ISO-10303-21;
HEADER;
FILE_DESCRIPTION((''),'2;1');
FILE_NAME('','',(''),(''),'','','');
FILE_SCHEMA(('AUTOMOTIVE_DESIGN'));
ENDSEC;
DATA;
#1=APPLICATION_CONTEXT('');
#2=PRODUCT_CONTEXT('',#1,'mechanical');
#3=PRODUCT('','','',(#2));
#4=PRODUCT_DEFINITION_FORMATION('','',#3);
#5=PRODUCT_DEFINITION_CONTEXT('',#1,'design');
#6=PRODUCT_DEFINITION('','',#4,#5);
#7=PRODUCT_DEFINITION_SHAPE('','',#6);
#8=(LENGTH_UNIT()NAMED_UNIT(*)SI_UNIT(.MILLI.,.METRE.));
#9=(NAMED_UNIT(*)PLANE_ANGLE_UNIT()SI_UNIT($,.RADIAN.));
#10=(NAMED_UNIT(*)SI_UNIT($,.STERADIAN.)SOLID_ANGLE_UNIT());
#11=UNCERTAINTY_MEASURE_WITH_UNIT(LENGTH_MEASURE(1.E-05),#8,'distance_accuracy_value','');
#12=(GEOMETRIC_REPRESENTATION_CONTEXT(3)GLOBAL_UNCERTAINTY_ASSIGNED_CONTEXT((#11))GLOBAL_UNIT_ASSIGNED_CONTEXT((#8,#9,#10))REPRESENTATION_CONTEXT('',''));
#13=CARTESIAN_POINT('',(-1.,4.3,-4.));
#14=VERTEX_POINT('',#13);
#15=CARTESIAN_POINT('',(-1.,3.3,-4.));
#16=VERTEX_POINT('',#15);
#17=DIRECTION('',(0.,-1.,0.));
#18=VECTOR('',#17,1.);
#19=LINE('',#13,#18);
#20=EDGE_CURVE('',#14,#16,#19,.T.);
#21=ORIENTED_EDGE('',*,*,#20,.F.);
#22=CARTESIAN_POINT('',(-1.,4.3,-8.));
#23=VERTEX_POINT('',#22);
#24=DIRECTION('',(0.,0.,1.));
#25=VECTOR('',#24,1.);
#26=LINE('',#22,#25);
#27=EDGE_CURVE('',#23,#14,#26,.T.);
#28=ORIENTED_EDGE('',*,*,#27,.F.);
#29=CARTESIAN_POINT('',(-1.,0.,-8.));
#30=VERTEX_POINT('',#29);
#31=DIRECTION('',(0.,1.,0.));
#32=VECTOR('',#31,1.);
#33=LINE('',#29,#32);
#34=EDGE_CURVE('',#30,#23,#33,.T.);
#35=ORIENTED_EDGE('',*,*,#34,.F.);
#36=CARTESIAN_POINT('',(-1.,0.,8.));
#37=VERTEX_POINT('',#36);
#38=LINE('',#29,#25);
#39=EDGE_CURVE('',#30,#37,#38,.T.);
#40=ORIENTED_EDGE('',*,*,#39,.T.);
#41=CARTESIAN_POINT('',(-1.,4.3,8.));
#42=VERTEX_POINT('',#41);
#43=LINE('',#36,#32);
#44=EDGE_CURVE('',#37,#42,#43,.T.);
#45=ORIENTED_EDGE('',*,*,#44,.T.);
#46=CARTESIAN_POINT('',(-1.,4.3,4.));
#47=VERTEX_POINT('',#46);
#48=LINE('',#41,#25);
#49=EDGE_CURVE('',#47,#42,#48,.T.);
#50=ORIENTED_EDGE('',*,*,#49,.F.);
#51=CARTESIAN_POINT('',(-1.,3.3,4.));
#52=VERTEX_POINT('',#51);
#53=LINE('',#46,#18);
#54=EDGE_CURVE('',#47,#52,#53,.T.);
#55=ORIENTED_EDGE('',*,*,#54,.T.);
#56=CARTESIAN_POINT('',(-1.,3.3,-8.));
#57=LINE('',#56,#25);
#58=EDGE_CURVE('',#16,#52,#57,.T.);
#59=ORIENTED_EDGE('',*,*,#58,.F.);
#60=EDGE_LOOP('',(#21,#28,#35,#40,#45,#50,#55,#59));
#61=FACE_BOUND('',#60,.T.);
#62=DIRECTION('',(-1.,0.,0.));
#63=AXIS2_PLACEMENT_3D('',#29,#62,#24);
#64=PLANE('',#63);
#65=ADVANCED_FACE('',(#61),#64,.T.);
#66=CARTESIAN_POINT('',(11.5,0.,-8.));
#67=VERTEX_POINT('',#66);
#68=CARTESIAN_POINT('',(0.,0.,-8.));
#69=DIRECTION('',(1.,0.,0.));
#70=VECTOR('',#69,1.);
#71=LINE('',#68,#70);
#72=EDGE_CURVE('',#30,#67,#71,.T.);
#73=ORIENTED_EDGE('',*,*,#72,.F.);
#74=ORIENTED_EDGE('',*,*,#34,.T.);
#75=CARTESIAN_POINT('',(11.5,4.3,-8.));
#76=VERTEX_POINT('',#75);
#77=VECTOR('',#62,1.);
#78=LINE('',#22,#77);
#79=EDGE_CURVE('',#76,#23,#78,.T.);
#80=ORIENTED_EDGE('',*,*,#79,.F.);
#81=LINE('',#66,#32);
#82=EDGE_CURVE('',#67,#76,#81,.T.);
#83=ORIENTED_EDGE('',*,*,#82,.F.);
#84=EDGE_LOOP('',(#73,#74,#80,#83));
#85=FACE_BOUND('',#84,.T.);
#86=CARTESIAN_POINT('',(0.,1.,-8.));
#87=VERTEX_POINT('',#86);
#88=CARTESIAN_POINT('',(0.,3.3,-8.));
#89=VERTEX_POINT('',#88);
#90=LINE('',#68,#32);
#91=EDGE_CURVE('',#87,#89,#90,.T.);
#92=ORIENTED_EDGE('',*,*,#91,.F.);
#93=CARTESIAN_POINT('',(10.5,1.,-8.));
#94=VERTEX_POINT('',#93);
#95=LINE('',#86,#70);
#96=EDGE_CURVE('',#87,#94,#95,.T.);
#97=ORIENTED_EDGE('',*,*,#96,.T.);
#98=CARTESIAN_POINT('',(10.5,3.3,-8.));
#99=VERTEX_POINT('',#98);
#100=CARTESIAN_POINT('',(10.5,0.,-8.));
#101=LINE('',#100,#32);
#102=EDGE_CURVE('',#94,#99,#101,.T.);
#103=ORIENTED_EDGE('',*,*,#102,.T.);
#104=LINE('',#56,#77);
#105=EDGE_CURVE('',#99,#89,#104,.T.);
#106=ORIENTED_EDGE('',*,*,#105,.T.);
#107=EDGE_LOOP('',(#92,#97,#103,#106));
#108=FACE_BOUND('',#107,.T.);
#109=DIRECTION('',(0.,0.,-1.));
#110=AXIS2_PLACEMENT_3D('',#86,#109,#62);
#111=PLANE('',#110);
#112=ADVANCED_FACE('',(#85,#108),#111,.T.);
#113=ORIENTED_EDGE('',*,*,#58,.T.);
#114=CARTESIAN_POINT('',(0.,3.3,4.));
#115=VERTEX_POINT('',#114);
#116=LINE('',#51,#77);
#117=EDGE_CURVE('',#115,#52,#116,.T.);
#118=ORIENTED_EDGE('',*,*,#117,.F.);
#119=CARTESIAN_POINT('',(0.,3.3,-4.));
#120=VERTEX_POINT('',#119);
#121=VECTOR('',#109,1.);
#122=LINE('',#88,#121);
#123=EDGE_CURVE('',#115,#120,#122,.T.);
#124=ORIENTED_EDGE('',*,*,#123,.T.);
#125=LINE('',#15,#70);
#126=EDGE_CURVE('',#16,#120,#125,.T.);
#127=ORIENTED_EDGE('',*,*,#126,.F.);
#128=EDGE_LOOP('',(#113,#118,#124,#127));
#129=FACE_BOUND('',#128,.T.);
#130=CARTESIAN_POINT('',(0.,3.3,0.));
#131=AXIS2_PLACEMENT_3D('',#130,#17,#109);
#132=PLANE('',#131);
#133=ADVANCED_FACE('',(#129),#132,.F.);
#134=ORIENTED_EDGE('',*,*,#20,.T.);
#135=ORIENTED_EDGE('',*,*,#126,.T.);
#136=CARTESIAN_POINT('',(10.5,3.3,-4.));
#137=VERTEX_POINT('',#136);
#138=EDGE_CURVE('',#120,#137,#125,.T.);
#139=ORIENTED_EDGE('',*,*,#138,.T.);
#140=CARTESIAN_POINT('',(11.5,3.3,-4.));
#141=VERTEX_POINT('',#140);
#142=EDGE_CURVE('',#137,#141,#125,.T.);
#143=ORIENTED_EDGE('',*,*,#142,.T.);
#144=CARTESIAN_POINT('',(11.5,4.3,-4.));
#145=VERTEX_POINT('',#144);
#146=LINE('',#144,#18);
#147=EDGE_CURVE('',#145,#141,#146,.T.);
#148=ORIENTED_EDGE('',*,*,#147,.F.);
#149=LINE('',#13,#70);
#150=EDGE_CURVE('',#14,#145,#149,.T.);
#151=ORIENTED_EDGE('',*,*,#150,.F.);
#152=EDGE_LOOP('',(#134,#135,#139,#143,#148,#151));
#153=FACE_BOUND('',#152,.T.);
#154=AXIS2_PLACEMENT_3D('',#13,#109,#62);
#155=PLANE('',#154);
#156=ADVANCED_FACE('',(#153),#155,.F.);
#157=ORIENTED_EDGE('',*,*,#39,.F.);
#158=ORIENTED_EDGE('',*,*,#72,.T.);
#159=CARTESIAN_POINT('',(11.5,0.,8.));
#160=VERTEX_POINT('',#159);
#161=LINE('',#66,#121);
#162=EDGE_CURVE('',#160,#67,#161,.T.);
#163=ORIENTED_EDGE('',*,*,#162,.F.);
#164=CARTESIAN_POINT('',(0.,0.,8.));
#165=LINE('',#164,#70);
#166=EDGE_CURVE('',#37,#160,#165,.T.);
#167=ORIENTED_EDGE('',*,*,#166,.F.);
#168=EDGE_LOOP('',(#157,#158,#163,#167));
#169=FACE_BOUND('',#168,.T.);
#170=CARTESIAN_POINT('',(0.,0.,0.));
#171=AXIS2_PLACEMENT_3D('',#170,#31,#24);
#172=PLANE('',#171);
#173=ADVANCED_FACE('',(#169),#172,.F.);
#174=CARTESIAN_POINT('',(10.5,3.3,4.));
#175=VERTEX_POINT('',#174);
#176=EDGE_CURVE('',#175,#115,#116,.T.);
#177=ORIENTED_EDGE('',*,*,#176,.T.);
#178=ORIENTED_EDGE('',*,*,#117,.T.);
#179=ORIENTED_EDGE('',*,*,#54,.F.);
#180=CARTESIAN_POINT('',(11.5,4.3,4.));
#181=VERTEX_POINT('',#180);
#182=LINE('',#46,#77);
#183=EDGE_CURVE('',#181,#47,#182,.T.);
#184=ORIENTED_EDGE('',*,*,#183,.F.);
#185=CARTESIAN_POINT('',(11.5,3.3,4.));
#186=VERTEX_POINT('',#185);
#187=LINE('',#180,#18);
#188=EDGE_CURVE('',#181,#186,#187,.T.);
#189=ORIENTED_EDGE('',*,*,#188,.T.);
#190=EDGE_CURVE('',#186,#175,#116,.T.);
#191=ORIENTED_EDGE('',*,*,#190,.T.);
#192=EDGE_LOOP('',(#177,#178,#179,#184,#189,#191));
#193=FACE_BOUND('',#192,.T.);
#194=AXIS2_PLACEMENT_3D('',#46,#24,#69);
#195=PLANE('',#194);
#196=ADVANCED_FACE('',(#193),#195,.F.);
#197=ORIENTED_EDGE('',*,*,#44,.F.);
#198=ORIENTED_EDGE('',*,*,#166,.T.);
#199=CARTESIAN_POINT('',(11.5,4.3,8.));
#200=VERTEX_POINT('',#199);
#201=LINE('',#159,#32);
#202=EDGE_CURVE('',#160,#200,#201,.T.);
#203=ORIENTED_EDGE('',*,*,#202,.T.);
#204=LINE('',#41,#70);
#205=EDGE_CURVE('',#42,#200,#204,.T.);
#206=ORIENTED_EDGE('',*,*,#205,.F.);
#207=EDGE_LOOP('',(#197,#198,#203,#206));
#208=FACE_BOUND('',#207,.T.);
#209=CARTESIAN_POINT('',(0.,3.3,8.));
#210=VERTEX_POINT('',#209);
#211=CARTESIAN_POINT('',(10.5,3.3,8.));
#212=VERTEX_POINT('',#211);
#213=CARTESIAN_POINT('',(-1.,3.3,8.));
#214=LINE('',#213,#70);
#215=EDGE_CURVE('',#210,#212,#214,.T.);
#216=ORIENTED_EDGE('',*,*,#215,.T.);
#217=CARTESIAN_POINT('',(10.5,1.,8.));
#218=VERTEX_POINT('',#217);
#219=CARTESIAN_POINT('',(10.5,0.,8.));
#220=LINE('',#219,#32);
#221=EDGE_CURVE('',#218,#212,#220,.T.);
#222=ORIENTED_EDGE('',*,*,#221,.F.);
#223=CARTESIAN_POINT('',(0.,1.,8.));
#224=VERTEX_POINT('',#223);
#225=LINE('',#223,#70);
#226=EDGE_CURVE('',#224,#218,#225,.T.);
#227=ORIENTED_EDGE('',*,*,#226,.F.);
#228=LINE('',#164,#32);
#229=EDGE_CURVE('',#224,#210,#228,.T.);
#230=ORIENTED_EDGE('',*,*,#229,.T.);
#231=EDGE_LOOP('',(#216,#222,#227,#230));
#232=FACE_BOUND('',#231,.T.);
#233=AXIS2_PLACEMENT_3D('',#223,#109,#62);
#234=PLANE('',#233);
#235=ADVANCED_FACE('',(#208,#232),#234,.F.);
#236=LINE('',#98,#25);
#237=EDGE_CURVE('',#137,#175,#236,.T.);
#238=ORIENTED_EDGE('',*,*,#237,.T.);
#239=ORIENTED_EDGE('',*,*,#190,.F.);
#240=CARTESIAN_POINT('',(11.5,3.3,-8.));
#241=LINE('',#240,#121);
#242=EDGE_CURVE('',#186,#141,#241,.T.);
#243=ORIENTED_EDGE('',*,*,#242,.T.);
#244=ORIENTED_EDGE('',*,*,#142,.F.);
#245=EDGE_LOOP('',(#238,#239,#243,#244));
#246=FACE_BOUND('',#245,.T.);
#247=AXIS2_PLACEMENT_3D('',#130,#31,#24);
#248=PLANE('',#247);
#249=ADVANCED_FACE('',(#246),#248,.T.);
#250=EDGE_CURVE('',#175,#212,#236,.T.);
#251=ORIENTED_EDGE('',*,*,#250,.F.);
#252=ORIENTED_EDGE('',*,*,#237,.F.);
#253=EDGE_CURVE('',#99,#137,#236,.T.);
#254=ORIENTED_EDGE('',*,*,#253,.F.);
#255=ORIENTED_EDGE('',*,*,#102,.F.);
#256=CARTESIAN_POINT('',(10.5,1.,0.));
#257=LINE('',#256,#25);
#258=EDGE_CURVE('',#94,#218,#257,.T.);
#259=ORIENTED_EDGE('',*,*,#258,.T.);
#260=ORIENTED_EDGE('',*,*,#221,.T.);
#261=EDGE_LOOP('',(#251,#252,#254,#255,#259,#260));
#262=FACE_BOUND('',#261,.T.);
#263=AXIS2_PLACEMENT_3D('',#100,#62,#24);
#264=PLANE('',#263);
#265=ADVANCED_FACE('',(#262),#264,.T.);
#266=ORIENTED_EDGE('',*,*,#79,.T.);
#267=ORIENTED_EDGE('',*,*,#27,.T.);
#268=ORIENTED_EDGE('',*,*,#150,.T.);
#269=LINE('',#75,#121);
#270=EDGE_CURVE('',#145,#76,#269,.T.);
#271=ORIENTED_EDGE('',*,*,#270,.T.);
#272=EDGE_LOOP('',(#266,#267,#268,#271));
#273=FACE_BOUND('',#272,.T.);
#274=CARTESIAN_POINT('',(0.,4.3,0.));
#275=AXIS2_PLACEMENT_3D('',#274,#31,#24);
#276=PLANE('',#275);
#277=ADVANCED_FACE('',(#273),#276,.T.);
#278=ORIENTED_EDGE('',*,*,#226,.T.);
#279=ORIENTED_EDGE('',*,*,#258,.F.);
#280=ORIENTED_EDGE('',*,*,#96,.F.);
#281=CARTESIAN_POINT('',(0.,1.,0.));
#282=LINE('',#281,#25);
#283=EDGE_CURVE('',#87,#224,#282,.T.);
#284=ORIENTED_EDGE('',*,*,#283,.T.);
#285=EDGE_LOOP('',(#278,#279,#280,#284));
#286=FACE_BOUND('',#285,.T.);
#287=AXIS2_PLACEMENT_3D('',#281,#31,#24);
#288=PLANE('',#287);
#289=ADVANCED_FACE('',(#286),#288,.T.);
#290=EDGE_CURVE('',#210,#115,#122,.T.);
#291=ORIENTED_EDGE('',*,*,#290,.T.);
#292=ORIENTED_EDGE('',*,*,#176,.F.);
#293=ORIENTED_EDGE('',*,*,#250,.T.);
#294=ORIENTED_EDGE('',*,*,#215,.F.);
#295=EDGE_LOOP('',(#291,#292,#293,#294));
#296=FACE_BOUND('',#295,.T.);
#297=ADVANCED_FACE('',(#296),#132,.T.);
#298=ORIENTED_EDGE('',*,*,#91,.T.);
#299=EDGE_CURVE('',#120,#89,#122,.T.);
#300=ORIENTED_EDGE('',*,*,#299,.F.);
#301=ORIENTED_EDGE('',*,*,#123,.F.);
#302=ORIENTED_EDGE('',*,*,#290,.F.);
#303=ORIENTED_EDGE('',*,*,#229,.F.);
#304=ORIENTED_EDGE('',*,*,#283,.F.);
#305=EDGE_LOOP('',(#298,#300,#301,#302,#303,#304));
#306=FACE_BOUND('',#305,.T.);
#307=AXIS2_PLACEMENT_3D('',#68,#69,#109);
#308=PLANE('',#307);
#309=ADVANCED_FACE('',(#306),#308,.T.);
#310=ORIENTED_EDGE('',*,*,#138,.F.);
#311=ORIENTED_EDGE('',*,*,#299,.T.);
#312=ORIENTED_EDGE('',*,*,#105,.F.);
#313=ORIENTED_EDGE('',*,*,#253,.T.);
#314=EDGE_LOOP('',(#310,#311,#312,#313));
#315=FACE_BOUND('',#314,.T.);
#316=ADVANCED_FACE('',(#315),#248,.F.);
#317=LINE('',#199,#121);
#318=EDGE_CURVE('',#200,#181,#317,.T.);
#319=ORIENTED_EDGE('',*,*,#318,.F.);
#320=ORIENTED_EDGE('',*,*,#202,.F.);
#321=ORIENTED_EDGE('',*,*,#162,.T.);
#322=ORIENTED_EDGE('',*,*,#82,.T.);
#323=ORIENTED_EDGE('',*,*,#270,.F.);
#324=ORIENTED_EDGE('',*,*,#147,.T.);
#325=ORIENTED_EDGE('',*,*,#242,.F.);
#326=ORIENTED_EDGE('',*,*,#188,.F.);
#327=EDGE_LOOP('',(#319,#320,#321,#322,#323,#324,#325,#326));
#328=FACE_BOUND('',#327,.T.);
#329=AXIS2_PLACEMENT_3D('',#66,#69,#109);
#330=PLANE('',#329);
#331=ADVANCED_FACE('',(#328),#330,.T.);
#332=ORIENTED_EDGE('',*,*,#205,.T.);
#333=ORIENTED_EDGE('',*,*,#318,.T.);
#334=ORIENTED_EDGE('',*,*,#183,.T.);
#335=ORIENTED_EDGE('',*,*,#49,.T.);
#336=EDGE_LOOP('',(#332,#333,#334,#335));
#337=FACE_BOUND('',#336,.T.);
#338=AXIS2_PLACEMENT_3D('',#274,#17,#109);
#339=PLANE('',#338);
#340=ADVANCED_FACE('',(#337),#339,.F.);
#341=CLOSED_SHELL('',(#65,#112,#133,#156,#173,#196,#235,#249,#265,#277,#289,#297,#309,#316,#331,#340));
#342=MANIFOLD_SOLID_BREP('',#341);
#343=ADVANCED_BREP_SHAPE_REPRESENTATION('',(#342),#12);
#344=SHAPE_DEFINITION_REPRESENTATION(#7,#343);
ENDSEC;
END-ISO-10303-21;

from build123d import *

# Parameters (mm, degrees)
SKETCH_2_W           = 10.5
SKETCH_2_H           = 4
EXTRUDE_1_DEPTH      = 1
SKETCH_3_W           = 1
SKETCH_3_H           = 16
EXTRUDE_2_DEPTH      = 2.3
EXTRUDE_2_DEPTH_BACK = 1
SKETCH_4_W           = 12.5
SKETCH_4_H           = 4
EXTRUDE_3_DEPTH      = 1


with BuildPart() as part:
    # 草图2 → 凸台-拉伸1 (new body)
    with BuildSketch(Plane(origin=(0, 0, 0), x_dir=(1, 0, 0), z_dir=(0, 1, 0))):
        with Locations((5.25, 6)):
            Rectangle(SKETCH_2_W, SKETCH_2_H)
        with Locations((5.25, 2)):
            Rectangle(SKETCH_2_W, SKETCH_2_H)
        with Locations((5.25, -2)):
            Rectangle(SKETCH_2_W, SKETCH_2_H)
        with Locations((5.25, -6)):
            Rectangle(SKETCH_2_W, SKETCH_2_H)
    extrude(amount=EXTRUDE_1_DEPTH)

    # 草图3 → 凸台-拉伸2 (add, two sides)
    with BuildSketch(Plane(origin=(0, 1, 0), x_dir=(1, 0, 0), z_dir=(0, 1, 0))) as extrude_2_sk:
        with Locations((11, 0)):
            Rectangle(SKETCH_3_W, SKETCH_3_H)
        with Locations((-0.5, 0)):
            Rectangle(SKETCH_3_W, SKETCH_3_H)
    extrude(amount=EXTRUDE_2_DEPTH)
    extrude(extrude_2_sk.sketch, amount=-EXTRUDE_2_DEPTH_BACK)

    # 草图4 → 凸台-拉伸3 (add)
    with BuildSketch(Plane(origin=(0, 3.3, 0), x_dir=(1, 0, 0), z_dir=(0, 1, 0))):
        with Locations((5.25, 6)):
            Rectangle(SKETCH_4_W, SKETCH_4_H)
        with Locations((5.25, -6)):
            Rectangle(SKETCH_4_W, SKETCH_4_H)
    extrude(amount=EXTRUDE_3_DEPTH)


solid = part.part
